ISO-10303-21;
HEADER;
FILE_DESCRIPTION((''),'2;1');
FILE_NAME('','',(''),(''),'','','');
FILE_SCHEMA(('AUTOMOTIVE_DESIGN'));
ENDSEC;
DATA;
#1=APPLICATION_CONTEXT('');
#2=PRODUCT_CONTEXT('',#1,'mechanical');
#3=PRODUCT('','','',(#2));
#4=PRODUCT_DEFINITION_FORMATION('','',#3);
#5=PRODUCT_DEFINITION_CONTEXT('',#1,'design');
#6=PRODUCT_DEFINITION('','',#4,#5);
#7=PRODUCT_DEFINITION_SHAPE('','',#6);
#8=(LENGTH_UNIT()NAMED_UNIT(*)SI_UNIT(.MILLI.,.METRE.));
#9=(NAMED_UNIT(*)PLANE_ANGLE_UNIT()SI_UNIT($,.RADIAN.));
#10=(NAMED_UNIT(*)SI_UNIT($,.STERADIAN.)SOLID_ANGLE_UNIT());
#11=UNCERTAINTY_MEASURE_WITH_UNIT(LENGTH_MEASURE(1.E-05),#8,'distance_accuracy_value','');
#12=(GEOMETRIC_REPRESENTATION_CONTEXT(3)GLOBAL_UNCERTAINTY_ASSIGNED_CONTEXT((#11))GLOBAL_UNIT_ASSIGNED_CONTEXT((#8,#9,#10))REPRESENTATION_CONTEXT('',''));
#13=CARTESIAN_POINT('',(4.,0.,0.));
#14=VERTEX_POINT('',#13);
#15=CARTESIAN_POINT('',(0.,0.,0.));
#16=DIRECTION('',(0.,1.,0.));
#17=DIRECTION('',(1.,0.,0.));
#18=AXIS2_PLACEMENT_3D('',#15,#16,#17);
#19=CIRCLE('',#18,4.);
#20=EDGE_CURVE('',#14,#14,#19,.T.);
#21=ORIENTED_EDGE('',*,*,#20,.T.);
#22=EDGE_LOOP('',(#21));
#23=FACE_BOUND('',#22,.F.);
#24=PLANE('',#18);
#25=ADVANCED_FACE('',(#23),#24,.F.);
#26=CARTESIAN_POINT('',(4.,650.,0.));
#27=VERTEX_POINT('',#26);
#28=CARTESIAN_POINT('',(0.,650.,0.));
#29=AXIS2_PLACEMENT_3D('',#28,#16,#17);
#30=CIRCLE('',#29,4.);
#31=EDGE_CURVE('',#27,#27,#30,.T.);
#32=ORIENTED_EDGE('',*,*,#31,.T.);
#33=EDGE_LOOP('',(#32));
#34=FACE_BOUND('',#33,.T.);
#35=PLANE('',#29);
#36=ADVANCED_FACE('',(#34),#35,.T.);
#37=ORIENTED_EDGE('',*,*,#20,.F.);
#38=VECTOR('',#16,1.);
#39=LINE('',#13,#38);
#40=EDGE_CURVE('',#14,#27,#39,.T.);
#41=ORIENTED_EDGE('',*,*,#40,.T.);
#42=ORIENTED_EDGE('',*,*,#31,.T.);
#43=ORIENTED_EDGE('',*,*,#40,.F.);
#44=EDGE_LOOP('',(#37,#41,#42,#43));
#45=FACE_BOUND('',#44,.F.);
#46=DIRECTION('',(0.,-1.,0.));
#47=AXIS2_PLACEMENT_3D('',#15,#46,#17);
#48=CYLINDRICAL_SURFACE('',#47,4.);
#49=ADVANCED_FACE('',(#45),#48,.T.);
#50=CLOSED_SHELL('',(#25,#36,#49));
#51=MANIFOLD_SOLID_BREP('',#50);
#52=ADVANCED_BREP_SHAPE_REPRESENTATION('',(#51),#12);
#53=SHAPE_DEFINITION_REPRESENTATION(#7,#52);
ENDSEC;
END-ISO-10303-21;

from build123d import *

# Parameters (mm, degrees)
CROQUIS1_R              = 4
SALIENTE_EXTRUIR1_DEPTH = 650


with BuildPart() as part:
    # Croquis1 → Saliente-Extruir1 (new body)
    with BuildSketch(Plane(origin=(0, 0, 0), x_dir=(1, 0, 0), z_dir=(0, 1, 0))):
        Circle(CROQUIS1_R)
    extrude(amount=SALIENTE_EXTRUIR1_DEPTH)


solid = part.part
